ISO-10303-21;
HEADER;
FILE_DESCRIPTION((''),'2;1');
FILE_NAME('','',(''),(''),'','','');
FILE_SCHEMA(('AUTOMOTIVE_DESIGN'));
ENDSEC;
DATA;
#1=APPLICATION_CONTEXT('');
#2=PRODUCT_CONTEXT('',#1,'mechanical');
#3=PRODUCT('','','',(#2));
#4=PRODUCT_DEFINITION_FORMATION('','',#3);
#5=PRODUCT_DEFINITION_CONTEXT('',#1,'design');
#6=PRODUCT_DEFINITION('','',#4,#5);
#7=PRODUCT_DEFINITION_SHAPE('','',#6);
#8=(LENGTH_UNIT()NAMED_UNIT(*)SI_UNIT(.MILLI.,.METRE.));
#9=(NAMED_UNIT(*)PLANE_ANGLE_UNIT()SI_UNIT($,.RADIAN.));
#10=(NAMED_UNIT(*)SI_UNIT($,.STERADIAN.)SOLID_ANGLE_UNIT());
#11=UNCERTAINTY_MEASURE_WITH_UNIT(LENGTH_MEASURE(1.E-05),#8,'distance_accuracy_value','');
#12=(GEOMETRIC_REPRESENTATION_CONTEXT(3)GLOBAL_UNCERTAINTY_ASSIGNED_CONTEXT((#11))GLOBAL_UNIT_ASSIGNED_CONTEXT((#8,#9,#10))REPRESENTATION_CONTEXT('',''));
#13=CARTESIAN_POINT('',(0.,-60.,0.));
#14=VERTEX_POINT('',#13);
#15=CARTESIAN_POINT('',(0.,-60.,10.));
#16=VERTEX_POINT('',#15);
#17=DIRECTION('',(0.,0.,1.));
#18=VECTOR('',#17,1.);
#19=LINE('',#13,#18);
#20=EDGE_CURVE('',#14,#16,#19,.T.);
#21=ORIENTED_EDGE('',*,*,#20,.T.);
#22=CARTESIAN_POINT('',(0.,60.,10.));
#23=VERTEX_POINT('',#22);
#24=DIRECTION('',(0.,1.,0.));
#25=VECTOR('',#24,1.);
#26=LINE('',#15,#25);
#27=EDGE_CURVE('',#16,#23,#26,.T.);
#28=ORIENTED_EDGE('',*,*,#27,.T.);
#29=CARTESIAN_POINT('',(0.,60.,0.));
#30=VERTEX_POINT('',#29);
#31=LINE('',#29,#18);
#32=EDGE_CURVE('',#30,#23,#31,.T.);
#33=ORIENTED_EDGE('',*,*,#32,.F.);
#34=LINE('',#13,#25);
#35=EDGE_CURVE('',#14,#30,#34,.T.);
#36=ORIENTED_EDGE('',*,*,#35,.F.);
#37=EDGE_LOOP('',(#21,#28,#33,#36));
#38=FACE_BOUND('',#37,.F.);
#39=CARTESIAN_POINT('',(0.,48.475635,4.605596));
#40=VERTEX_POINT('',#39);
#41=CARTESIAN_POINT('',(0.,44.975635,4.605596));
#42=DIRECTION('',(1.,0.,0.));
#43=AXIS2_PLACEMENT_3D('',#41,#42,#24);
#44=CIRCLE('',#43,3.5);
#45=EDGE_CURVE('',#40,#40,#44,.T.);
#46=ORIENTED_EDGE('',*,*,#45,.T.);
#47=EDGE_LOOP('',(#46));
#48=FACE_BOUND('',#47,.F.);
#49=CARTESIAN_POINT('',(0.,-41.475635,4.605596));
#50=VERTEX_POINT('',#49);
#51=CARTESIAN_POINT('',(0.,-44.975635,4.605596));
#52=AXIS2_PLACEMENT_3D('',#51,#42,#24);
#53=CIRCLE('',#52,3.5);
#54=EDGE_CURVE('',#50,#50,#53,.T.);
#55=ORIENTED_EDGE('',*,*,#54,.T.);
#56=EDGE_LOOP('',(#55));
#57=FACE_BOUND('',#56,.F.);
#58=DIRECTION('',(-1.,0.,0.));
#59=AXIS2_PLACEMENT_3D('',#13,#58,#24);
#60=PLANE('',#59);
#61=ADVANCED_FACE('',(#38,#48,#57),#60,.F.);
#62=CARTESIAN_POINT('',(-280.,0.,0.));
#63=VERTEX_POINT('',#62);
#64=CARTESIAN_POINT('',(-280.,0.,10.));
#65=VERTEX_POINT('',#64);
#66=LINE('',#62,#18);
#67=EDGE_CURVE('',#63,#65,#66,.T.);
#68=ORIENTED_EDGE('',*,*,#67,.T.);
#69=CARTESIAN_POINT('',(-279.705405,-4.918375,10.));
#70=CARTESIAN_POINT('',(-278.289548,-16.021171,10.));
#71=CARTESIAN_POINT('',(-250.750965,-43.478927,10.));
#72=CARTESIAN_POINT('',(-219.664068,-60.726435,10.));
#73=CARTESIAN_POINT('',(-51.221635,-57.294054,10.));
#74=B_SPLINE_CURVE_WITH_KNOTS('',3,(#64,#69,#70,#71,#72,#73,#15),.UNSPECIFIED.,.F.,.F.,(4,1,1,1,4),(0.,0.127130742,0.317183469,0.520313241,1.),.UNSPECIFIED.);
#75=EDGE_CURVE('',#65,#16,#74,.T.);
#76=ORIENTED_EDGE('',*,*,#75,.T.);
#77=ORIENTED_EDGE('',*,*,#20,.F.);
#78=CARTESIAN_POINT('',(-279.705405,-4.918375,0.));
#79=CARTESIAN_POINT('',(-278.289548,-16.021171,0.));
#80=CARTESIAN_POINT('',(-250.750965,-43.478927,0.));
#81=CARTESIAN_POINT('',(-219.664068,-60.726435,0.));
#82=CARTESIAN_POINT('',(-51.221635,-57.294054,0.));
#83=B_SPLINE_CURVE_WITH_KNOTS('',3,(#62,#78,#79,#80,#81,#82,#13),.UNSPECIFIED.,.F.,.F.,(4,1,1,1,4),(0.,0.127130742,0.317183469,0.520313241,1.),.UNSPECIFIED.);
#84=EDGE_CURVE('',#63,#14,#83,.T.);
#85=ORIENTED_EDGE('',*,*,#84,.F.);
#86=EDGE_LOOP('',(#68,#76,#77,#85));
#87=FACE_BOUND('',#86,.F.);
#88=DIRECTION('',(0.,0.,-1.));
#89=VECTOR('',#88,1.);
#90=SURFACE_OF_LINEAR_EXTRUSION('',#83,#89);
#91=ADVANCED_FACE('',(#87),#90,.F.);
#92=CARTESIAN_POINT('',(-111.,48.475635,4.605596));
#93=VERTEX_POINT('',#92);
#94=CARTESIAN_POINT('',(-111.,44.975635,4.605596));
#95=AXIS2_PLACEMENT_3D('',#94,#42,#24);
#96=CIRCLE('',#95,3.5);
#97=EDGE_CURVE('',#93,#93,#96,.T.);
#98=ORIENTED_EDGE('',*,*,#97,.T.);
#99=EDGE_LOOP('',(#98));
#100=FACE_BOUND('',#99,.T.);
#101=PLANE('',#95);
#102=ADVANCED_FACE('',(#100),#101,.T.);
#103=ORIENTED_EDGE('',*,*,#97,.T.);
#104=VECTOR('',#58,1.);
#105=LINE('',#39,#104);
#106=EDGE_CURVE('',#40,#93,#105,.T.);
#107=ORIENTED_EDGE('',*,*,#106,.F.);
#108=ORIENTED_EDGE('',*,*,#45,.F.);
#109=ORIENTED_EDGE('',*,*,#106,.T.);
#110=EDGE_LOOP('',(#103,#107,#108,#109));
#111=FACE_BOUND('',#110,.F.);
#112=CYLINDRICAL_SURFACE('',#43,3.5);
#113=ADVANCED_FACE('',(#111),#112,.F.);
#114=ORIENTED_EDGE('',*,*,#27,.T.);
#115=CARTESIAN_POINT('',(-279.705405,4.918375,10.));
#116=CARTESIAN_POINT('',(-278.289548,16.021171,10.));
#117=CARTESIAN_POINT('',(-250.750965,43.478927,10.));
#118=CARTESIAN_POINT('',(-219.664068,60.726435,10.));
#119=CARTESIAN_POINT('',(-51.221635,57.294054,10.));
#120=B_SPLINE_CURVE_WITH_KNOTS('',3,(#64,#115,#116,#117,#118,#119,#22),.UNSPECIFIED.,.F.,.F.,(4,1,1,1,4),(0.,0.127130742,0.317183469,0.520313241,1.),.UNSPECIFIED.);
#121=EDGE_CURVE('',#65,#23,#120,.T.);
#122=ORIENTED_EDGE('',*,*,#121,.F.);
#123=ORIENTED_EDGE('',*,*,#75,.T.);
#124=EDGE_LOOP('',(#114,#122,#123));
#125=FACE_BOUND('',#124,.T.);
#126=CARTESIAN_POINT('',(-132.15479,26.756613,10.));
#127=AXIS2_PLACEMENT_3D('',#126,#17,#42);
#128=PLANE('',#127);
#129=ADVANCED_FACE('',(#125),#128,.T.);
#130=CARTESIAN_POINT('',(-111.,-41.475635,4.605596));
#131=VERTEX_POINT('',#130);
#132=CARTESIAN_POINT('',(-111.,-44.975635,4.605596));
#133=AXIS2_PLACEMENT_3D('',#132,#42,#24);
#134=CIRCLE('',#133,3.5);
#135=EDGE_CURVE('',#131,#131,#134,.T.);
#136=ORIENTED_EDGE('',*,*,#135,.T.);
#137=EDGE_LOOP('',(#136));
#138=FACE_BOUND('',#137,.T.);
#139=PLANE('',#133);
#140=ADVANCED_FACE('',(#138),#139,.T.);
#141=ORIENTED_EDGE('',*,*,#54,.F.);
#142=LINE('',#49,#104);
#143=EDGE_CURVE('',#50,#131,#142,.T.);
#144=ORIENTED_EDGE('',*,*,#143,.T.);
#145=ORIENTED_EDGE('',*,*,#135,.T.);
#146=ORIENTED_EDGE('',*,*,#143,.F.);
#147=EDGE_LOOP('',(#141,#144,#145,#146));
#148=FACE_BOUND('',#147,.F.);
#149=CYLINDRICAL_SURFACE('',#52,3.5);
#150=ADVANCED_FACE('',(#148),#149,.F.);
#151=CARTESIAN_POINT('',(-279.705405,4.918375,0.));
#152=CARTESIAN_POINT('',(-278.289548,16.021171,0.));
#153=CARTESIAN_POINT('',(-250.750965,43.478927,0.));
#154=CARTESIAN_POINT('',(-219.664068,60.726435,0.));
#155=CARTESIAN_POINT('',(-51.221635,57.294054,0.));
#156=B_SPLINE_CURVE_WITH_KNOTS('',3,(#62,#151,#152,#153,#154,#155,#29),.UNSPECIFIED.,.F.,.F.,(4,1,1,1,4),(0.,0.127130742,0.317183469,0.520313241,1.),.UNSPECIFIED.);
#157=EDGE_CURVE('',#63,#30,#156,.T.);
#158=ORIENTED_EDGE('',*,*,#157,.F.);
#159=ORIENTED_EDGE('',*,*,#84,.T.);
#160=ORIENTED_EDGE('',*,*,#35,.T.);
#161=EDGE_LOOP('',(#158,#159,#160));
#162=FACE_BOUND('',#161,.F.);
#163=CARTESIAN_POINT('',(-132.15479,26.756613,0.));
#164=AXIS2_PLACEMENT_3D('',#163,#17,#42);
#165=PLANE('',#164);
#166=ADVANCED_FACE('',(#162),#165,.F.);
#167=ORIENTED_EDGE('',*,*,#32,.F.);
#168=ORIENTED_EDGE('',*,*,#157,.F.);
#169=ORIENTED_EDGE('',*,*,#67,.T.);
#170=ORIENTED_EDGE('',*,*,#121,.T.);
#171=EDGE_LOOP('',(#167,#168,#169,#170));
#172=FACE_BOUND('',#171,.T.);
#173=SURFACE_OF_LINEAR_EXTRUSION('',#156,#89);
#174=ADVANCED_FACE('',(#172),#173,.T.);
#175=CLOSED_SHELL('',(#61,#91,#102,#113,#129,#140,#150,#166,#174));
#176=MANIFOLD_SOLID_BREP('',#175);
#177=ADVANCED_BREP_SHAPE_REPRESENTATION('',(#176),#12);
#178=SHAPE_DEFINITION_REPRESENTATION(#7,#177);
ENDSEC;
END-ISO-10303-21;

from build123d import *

# Parameters (mm, degrees)
F1_DEPTH = 10
F2_R     = 3.5
F3_DEPTH = 111


with BuildPart() as f1:
    # F0 (on Top) → F1 (new body)
    with BuildSketch(Plane.XY):
        with BuildLine():
            Line((-280, 0), (0, 0))
            Line((0, 0), (0, 60))
            add(Edge.make_bspline(
                [(-280, 0), (-279.7054046758, 4.9183746395), (-278.2895479431, 16.0211705122), (-250.7509652142, 43.4789273687), (-219.664067806, 60.7264353566), (-51.2216351313, 57.2940537051), (0, 60)],
                knots=[0, 0, 0, 0, 0.1271307416, 0.3171834693, 0.5203132406, 1, 1, 1, 1], degree=3))
        make_face()
        with BuildLine():
            Line((0, -60), (0, 0))
            Line((0, 0), (-280, 0))
            add(Edge.make_bspline(
                [(-280, 0), (-279.7054046758, -4.9183746395), (-278.2895479431, -16.0211705122), (-250.7509652142, -43.4789273687), (-219.664067806, -60.7264353566), (-51.2216351313, -57.2940537051), (0, -60)],
                knots=[0, 0, 0, 0, 0.1271307416, 0.3171834693, 0.5203132406, 1, 1, 1, 1], degree=3))
        make_face()
    extrude(amount=F1_DEPTH)

    # F2 (on Right) → F3 (cut)
    with BuildSketch(Plane.YZ):
        with Locations((-44.9756346643, 4.6055959538)):
            Circle(F2_R)
        with Locations((44.9756346643, 4.6055959538)):
            Circle(F2_R)
    extrude(amount=-F3_DEPTH, mode=Mode.SUBTRACT)


solid = f1.part
